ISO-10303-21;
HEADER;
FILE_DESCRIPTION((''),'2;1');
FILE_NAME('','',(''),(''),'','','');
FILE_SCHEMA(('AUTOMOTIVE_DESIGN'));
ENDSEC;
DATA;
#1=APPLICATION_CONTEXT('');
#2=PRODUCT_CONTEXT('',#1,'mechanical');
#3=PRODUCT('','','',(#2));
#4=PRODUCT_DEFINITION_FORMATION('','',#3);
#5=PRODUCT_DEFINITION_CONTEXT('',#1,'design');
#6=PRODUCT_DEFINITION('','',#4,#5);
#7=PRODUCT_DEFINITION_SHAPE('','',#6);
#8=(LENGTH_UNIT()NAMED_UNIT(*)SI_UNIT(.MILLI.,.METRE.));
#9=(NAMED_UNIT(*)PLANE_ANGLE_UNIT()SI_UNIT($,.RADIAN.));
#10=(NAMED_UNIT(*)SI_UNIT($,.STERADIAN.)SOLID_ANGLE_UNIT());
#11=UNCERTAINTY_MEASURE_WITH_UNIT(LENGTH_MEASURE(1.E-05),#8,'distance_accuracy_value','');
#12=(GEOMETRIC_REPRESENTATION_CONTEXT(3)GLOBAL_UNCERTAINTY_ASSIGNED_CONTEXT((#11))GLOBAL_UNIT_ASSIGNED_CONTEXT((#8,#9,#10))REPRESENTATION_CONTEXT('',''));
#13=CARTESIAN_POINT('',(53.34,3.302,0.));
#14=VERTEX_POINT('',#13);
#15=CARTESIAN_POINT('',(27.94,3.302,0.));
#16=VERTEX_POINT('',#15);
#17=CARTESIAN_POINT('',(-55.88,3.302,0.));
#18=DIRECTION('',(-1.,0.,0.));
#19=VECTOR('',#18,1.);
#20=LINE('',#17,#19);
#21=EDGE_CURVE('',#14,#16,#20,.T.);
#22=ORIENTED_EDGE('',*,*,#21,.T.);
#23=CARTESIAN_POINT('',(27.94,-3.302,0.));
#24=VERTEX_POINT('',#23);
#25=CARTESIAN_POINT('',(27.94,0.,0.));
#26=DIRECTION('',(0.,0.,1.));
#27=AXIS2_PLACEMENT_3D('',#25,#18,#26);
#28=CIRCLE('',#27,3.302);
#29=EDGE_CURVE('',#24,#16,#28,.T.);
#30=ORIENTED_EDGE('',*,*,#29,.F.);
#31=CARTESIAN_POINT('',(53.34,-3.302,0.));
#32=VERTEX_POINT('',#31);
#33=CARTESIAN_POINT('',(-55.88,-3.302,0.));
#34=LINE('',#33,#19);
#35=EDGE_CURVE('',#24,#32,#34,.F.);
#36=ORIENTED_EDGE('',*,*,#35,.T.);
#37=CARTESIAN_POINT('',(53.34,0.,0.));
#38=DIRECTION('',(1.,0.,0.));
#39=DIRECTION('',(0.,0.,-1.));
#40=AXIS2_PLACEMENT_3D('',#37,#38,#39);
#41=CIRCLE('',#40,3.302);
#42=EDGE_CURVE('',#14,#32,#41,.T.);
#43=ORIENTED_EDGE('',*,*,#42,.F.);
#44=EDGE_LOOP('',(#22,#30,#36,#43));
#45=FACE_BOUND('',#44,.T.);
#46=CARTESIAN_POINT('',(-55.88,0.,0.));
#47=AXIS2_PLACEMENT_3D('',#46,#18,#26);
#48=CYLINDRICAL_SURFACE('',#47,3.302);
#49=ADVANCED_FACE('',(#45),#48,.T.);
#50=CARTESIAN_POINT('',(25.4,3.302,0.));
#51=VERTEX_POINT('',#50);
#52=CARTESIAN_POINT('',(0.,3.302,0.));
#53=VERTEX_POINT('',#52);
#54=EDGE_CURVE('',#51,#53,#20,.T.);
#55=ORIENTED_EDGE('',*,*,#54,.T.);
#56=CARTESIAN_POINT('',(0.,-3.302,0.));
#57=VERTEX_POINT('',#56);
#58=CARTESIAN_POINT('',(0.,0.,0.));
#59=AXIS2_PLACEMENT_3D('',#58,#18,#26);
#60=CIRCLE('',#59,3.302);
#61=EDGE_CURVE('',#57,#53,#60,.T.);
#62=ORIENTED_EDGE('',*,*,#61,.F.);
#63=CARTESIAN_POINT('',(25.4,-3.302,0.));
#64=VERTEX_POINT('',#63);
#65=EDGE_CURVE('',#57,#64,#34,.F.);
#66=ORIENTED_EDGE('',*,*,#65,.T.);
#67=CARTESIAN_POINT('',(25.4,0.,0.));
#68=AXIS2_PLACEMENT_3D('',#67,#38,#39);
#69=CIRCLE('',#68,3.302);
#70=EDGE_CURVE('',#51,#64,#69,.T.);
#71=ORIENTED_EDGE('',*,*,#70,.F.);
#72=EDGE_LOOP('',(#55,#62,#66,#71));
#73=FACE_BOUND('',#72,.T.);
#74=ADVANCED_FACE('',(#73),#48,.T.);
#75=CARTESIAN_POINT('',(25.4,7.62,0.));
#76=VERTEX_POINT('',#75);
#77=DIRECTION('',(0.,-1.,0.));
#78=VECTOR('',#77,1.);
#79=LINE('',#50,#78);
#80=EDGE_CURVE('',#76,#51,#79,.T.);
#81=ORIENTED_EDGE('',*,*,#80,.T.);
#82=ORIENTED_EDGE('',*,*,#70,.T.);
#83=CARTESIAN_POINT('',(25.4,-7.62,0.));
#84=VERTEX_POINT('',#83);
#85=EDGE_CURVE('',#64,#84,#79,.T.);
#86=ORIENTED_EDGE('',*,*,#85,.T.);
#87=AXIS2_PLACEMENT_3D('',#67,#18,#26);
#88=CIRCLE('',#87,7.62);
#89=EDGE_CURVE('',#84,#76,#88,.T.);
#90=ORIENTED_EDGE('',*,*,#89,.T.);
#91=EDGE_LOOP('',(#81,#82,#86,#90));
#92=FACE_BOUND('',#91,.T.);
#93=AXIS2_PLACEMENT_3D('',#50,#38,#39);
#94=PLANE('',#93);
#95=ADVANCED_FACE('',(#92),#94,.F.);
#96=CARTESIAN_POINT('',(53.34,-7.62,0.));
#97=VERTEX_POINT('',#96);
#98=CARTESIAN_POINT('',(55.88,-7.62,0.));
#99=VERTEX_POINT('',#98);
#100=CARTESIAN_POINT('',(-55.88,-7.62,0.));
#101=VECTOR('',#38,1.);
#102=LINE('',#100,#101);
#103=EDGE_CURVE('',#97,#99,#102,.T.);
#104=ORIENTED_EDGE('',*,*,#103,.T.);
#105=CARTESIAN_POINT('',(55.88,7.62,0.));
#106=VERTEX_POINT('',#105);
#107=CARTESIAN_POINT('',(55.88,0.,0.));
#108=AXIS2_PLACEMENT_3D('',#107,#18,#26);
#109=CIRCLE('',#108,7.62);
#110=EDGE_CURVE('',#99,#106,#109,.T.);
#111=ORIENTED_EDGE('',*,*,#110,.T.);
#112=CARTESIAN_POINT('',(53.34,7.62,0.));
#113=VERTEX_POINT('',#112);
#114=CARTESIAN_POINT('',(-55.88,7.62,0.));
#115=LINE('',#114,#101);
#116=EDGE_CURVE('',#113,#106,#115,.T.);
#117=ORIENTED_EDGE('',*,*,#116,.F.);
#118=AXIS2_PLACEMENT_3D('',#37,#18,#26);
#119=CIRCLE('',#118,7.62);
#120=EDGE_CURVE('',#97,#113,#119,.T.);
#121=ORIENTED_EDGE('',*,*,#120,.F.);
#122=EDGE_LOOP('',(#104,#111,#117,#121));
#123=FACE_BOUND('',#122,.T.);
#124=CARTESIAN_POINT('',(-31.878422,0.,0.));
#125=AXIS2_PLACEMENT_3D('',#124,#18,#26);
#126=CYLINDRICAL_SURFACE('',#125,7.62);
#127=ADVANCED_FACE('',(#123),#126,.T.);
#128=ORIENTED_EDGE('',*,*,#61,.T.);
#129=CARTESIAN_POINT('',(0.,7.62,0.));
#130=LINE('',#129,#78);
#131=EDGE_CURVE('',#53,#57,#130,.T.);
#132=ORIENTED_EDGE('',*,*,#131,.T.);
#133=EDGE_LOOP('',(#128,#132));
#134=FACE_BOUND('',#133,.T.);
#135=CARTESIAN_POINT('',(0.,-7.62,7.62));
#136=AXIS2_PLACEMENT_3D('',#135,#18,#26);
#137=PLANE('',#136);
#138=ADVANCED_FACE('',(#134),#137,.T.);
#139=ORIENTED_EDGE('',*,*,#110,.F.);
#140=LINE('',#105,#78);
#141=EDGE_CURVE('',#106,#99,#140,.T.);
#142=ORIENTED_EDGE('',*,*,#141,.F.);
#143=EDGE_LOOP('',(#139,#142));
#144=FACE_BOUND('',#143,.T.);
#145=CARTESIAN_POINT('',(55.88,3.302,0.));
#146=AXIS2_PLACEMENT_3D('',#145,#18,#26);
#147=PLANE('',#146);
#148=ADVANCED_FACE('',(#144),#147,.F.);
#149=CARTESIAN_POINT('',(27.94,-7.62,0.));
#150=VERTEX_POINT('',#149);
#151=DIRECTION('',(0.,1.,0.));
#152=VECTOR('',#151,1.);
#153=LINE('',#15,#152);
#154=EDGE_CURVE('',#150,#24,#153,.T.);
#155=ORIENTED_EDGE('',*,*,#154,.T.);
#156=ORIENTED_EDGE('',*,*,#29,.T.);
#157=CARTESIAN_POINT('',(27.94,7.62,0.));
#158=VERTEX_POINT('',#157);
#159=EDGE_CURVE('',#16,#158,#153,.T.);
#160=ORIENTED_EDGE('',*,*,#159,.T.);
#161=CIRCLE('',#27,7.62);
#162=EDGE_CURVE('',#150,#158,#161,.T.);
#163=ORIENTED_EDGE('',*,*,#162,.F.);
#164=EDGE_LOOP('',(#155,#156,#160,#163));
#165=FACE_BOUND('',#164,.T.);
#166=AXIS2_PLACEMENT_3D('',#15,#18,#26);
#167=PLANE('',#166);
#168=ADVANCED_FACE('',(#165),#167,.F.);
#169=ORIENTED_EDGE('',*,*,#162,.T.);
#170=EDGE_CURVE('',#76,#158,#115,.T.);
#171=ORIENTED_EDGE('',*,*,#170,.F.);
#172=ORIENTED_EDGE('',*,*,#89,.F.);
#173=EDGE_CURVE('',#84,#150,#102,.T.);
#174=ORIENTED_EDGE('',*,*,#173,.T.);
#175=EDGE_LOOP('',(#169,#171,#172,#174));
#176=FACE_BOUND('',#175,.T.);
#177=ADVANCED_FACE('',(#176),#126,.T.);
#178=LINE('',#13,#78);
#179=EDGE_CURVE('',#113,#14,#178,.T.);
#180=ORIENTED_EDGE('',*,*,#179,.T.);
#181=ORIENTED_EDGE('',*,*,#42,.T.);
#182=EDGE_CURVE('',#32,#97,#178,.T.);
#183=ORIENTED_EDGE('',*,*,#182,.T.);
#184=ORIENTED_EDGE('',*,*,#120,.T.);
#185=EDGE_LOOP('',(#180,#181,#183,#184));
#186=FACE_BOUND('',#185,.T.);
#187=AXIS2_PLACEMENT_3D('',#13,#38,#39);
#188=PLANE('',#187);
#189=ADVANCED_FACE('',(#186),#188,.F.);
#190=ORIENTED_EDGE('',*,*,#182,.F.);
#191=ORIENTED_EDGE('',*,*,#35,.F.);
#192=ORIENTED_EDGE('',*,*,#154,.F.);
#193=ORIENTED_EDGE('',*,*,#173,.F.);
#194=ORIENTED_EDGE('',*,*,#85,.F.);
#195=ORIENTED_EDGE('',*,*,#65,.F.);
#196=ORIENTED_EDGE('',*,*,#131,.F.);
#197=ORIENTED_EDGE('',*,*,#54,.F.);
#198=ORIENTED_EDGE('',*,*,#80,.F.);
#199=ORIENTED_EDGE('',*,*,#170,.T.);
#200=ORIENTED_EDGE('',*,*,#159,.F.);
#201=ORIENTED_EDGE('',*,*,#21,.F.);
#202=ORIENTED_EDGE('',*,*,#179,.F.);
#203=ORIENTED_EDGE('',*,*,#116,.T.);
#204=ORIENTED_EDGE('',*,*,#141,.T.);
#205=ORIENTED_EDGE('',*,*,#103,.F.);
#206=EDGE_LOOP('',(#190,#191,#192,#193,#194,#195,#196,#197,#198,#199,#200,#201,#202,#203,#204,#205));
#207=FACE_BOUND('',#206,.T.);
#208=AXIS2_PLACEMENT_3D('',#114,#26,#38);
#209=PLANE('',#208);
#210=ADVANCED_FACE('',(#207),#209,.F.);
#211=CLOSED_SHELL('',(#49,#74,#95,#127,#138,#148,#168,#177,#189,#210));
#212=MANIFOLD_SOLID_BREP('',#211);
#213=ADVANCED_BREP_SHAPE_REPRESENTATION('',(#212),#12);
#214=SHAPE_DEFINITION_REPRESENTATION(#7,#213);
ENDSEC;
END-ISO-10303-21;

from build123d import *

# Parameters (mm, degrees)
SKETCH1_W               = 111.76
SKETCH1_H               = 3.302
SKETCH6_W               = 2.54
SKETCH6_H               = 4.318
CUT_EXTRUDE1_DEPTH      = 57.909605516
CUT_EXTRUDE1_DEPTH_BACK = 57.909605516
SKETCH7_W               = 7.62
SKETCH7_H               = 15.24
SKETCH8_W               = 55.88
SKETCH8_H               = 15.24
CUT_EXTRUDE2_DEPTH      = 57.909605516


with BuildPart() as part:
    # Sketch1 → Revolve1 (revolve)
    with BuildSketch(Plane.XY, mode=Mode.PRIVATE) as revolve1_sk:
        with Locations((0, 1.651)):
            Rectangle(SKETCH1_W, SKETCH1_H)
    revolve(revolve1_sk.sketch.rotate(Axis((-55.88, 0, 0), (1, 0, 0)), 90), axis=Axis((-55.88, 0, 0), (1, 0, 0)))

    # Sketch6 → Revolve2 (revolve)
    with BuildSketch(Plane.XY, mode=Mode.PRIVATE) as revolve2_sk:
        with Locations((-26.67, 5.461)):
            Rectangle(SKETCH6_W, SKETCH6_H)
        with Locations((26.67, 5.461)):
            Rectangle(SKETCH6_W, SKETCH6_H)
        with Locations((-54.61, 5.461)):
            Rectangle(SKETCH6_W, SKETCH6_H)
        with Locations((54.61, 5.461)):
            Rectangle(SKETCH6_W, SKETCH6_H)
    revolve(revolve2_sk.sketch.rotate(Axis((-31.878421892, 0, 0), (1, 0, 0)), 90), axis=Axis((-31.878421892, 0, 0), (1, 0, 0)))

    # Sketch7 → Cut-Extrude1 (cut, two sides: drawn at the far end of the back side and taken through both)
    with BuildSketch(Plane(origin=(0, 0, 0), x_dir=(0, 0, -1), z_dir=(1, 0, 0)).offset(-CUT_EXTRUDE1_DEPTH_BACK)):
        with Locations((3.81, 0)):
            Rectangle(SKETCH7_W, SKETCH7_H)
    extrude(amount=CUT_EXTRUDE1_DEPTH + CUT_EXTRUDE1_DEPTH_BACK, mode=Mode.SUBTRACT)

    # Sketch8 → Cut-Extrude2 (cut, through all)
    with BuildSketch(Plane.XY):
        with Locations((-27.94, 0)):
            Rectangle(SKETCH8_W, SKETCH8_H)
    extrude(amount=CUT_EXTRUDE2_DEPTH, mode=Mode.SUBTRACT)


solid = part.part
